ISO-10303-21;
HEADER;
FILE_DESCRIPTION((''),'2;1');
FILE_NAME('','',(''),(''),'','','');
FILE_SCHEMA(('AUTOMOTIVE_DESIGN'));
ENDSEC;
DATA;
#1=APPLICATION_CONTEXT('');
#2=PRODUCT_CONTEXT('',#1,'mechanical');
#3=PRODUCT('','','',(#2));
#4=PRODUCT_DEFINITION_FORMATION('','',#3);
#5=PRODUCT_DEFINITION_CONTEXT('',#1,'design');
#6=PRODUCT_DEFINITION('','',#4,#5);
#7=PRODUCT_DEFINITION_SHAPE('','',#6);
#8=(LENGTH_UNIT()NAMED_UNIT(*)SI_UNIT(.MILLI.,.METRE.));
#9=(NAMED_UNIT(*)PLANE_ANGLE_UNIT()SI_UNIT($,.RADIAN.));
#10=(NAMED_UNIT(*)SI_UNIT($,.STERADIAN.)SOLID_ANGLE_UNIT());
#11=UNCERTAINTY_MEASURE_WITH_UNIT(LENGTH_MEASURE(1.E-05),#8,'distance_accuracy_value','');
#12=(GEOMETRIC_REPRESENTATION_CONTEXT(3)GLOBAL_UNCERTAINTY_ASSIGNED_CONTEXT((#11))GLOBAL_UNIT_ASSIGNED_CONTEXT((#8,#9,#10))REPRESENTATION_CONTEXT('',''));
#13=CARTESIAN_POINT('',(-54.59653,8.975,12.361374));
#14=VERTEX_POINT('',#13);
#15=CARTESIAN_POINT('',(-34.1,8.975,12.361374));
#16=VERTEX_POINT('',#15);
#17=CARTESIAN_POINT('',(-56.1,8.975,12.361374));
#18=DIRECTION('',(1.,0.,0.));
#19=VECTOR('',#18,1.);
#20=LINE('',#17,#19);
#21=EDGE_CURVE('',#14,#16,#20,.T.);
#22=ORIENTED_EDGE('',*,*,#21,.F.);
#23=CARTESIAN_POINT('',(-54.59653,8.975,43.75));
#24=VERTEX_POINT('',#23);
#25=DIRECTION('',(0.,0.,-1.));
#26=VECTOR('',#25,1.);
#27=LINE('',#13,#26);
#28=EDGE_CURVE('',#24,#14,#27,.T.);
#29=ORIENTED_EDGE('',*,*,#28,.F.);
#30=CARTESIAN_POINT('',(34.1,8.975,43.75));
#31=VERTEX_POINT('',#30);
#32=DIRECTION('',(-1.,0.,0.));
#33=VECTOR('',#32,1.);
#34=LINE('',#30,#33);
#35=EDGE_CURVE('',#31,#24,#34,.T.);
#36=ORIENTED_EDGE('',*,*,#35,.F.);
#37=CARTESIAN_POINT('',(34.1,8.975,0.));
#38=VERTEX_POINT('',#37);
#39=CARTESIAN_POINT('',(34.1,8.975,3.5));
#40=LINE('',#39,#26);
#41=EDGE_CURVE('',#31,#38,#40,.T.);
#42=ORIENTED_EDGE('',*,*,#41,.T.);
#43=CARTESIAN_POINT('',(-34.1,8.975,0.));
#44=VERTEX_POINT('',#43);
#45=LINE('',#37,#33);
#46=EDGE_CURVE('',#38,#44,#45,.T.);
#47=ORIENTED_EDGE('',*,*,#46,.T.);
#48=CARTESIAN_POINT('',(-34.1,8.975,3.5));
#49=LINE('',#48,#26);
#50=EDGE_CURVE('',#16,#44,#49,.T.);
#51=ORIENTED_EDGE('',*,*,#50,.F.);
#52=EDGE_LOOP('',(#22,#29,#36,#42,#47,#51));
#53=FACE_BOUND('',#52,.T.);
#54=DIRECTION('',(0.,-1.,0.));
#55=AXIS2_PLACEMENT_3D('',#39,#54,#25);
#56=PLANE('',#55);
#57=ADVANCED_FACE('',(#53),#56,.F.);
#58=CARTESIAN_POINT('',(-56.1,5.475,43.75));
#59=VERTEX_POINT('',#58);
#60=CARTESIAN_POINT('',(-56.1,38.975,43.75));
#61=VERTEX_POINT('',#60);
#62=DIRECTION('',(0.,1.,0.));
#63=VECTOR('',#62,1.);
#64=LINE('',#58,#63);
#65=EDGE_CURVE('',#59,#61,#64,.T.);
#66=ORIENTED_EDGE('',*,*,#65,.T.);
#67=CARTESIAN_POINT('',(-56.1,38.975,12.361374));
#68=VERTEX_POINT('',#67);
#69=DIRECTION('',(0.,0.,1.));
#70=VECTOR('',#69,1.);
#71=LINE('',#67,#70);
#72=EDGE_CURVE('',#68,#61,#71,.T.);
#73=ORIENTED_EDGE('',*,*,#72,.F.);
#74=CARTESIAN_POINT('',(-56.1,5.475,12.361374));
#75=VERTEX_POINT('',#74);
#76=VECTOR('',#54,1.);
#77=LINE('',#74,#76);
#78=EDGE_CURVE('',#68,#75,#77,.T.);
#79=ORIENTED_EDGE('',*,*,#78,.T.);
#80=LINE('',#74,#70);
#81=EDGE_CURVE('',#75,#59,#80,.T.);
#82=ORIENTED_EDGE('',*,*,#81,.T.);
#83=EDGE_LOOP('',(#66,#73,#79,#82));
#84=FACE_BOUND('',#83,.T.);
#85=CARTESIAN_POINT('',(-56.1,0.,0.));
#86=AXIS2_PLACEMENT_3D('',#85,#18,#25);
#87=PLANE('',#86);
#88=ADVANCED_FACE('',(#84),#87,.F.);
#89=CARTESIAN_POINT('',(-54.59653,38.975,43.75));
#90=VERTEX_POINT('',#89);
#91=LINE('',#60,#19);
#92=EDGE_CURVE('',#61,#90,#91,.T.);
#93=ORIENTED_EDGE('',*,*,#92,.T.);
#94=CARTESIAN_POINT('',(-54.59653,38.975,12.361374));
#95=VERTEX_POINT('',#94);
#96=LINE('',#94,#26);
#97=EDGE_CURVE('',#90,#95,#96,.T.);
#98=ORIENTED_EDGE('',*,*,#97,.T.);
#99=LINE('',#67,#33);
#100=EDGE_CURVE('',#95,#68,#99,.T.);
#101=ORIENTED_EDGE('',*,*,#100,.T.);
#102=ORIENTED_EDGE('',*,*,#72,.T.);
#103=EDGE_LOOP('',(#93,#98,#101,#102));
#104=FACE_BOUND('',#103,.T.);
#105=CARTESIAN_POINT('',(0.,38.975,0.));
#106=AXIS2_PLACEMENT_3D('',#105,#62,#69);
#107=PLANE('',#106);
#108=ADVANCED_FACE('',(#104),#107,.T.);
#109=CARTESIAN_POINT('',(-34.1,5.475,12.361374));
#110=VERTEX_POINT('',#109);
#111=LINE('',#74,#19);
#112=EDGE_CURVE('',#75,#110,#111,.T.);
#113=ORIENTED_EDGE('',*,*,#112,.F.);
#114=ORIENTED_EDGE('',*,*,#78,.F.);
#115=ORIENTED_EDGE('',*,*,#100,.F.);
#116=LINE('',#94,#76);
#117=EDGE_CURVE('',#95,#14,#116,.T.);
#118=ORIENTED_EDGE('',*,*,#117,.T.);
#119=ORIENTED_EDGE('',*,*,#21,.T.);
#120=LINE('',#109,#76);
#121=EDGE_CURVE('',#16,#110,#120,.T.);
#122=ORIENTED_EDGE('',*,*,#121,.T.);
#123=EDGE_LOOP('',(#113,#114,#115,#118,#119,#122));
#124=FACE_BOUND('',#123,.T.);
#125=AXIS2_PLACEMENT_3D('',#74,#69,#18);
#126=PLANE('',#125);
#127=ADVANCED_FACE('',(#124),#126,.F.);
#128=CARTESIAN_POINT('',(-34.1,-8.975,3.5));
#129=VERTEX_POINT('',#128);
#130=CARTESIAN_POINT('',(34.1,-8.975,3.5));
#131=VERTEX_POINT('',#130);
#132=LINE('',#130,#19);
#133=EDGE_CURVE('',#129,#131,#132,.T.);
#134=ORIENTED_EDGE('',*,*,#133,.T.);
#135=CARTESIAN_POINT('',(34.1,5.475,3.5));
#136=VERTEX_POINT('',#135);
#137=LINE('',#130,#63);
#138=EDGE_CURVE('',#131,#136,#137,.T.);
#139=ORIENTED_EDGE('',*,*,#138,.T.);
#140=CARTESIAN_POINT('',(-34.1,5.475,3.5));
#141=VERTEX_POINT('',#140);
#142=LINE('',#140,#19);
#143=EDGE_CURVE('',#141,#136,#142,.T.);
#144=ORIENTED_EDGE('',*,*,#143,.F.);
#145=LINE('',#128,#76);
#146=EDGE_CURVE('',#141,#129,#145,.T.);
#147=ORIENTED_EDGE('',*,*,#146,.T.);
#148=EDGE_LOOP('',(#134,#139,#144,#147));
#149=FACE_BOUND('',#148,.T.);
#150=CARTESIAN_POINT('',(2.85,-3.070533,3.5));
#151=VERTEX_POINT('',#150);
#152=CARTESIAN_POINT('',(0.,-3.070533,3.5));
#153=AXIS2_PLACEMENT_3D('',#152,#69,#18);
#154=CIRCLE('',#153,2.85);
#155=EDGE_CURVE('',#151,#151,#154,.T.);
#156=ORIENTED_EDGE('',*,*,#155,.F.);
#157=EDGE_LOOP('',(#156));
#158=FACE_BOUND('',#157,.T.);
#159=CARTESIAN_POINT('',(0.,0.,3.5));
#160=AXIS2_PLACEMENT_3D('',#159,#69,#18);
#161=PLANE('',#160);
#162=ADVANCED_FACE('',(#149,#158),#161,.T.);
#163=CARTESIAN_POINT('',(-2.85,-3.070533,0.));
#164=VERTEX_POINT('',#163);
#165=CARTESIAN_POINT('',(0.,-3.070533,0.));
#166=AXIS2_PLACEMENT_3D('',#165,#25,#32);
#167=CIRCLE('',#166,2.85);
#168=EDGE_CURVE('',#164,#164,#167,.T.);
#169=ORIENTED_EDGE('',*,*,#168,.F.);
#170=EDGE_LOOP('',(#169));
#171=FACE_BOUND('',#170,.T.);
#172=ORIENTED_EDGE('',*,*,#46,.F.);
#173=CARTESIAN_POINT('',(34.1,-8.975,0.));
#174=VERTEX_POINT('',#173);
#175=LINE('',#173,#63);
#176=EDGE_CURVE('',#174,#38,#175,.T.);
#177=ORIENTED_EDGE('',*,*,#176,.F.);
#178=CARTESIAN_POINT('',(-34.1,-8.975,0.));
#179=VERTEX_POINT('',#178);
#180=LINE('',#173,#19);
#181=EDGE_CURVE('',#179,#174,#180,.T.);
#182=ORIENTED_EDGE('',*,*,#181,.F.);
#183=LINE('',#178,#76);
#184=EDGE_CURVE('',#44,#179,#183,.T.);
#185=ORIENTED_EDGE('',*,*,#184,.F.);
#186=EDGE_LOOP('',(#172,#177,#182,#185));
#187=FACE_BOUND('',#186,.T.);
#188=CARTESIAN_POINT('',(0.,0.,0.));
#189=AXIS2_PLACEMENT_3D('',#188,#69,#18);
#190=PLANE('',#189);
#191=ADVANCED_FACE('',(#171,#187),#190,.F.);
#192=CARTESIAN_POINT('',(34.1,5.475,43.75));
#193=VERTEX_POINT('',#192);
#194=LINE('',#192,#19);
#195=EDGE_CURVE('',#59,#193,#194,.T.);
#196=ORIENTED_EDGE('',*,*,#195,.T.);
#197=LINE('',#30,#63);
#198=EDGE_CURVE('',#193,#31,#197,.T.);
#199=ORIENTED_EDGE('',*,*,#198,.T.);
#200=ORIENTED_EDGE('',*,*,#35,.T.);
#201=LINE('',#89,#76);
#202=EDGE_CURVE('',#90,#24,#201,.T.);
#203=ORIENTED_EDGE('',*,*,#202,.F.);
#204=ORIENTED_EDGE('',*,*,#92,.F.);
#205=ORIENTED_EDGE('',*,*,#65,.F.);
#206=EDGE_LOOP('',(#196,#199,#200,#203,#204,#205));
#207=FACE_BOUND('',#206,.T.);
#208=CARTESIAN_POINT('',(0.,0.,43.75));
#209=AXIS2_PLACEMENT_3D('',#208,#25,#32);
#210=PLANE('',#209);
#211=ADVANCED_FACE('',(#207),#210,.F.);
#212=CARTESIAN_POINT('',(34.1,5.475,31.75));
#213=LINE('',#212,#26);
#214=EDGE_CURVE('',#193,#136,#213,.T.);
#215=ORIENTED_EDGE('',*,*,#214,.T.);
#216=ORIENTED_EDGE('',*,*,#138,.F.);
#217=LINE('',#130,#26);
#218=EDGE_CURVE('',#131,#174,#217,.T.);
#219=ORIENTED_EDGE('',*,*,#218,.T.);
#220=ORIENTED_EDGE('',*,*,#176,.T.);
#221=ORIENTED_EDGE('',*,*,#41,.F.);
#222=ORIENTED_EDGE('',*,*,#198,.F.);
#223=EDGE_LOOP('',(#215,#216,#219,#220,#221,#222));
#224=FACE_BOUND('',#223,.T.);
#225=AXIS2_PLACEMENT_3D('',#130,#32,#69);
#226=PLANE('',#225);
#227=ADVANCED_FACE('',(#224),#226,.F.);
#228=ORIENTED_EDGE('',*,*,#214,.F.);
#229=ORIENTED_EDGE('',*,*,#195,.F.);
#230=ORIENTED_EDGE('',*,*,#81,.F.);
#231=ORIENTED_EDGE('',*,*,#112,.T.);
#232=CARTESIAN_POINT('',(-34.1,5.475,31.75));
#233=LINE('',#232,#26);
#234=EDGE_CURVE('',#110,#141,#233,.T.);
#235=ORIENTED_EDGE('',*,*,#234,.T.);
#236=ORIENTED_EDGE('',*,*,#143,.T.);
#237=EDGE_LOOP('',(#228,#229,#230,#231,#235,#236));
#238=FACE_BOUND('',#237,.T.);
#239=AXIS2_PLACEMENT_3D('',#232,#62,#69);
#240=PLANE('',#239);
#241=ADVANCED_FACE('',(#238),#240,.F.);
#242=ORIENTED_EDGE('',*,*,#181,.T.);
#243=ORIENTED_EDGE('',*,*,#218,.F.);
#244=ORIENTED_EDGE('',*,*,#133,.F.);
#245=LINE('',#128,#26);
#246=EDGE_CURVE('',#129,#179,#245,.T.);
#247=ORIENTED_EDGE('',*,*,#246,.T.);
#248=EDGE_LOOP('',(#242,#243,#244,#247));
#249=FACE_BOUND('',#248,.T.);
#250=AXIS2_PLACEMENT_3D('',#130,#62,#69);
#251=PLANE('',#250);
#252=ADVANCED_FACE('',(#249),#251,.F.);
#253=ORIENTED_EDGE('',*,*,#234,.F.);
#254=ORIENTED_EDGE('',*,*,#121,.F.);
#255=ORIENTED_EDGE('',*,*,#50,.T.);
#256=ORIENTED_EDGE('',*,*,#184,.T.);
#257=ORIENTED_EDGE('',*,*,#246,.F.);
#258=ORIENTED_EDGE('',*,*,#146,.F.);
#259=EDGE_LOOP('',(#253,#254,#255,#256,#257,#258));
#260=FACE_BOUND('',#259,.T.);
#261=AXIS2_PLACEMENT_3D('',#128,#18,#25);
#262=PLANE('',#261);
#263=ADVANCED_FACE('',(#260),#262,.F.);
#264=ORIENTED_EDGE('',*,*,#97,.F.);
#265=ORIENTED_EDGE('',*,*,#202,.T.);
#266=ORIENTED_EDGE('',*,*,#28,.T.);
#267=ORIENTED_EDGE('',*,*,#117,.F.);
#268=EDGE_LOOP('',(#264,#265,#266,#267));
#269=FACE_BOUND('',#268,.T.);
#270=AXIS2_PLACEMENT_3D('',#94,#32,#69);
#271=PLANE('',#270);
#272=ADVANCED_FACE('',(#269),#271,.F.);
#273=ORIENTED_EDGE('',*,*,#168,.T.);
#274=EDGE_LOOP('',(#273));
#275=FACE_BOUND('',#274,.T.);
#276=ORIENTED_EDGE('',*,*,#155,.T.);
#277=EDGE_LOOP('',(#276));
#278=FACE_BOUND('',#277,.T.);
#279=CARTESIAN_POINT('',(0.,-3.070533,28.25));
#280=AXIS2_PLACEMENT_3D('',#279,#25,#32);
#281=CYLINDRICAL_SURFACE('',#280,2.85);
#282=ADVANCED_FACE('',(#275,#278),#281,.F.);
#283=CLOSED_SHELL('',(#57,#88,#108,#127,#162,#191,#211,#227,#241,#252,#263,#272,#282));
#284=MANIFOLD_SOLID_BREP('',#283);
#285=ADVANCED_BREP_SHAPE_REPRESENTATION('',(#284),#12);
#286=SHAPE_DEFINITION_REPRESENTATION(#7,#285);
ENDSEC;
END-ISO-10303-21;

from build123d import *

# Parameters (mm, degrees)
SKETCH_1_W          = 68.2
SKETCH_1_H          = 17.95
EXTRUDE_1_DEPTH     = 3.5
SKETCH_21_W         = 68.2
SKETCH_21_H         = 3.5
EXTRUDE_4_DEPTH     = 28.25
SKETCH_24_R         = 2.85
CUT_EXTRUDE_2_DEPTH = 28.25
SKETCH_30_W         = 68.2
SKETCH_30_H         = 3.5
EXTRUDE_6_DEPTH     = 12
SKETCH_31_W         = 31.388626345
SKETCH_31_H         = 3.5
EXTRUDE_7_DEPTH     = 22
SKETCH_32_W         = 1.503469792
SKETCH_32_H         = 31.388626345
EXTRUDE_8_DEPTH     = 30


with BuildPart() as part:
    # 草圖1 → 1 (new body)
    with BuildSketch(Plane.XY):
        Rectangle(SKETCH_1_W, SKETCH_1_H)
    extrude(amount=EXTRUDE_1_DEPTH)

    # 草圖21 → 填料-伸長4 (add)
    with BuildSketch(Plane.XY.offset(3.5)):
        with Locations((0, 7.225)):
            Rectangle(SKETCH_21_W, SKETCH_21_H)
    extrude(amount=EXTRUDE_4_DEPTH)

    # 草圖24 → 除料-伸長2 (cut)
    with BuildSketch(Plane(origin=(0, 0, 0), x_dir=(-1, 0, 0), z_dir=(0, 0, -1))):
        with Locations((0, -3.070533486)):
            Circle(SKETCH_24_R)
    extrude(amount=-CUT_EXTRUDE_2_DEPTH, mode=Mode.SUBTRACT)

    # 草圖30 → 填料-伸長6 (add)
    with BuildSketch(Plane.XY.offset(31.75)):
        with Locations((0, 7.225)):
            Rectangle(SKETCH_30_W, SKETCH_30_H)
    extrude(amount=EXTRUDE_6_DEPTH)

    # 草圖31 → 填料-伸長7 (add)
    with BuildSketch(Plane.ZY.offset(34.1)):
        with Locations((28.055686828, 7.225)):
            Rectangle(SKETCH_31_W, SKETCH_31_H)
    extrude(amount=EXTRUDE_7_DEPTH)

    # 草圖32 → 填料-伸長8 (add)
    with BuildSketch(Plane(origin=(0, 8.975, 0), x_dir=(1, 0, 0), z_dir=(0, 1, 0))):
        with Locations((-55.348265104, -28.055686828)):
            Rectangle(SKETCH_32_W, SKETCH_32_H)
    extrude(amount=EXTRUDE_8_DEPTH)


solid = part.part
